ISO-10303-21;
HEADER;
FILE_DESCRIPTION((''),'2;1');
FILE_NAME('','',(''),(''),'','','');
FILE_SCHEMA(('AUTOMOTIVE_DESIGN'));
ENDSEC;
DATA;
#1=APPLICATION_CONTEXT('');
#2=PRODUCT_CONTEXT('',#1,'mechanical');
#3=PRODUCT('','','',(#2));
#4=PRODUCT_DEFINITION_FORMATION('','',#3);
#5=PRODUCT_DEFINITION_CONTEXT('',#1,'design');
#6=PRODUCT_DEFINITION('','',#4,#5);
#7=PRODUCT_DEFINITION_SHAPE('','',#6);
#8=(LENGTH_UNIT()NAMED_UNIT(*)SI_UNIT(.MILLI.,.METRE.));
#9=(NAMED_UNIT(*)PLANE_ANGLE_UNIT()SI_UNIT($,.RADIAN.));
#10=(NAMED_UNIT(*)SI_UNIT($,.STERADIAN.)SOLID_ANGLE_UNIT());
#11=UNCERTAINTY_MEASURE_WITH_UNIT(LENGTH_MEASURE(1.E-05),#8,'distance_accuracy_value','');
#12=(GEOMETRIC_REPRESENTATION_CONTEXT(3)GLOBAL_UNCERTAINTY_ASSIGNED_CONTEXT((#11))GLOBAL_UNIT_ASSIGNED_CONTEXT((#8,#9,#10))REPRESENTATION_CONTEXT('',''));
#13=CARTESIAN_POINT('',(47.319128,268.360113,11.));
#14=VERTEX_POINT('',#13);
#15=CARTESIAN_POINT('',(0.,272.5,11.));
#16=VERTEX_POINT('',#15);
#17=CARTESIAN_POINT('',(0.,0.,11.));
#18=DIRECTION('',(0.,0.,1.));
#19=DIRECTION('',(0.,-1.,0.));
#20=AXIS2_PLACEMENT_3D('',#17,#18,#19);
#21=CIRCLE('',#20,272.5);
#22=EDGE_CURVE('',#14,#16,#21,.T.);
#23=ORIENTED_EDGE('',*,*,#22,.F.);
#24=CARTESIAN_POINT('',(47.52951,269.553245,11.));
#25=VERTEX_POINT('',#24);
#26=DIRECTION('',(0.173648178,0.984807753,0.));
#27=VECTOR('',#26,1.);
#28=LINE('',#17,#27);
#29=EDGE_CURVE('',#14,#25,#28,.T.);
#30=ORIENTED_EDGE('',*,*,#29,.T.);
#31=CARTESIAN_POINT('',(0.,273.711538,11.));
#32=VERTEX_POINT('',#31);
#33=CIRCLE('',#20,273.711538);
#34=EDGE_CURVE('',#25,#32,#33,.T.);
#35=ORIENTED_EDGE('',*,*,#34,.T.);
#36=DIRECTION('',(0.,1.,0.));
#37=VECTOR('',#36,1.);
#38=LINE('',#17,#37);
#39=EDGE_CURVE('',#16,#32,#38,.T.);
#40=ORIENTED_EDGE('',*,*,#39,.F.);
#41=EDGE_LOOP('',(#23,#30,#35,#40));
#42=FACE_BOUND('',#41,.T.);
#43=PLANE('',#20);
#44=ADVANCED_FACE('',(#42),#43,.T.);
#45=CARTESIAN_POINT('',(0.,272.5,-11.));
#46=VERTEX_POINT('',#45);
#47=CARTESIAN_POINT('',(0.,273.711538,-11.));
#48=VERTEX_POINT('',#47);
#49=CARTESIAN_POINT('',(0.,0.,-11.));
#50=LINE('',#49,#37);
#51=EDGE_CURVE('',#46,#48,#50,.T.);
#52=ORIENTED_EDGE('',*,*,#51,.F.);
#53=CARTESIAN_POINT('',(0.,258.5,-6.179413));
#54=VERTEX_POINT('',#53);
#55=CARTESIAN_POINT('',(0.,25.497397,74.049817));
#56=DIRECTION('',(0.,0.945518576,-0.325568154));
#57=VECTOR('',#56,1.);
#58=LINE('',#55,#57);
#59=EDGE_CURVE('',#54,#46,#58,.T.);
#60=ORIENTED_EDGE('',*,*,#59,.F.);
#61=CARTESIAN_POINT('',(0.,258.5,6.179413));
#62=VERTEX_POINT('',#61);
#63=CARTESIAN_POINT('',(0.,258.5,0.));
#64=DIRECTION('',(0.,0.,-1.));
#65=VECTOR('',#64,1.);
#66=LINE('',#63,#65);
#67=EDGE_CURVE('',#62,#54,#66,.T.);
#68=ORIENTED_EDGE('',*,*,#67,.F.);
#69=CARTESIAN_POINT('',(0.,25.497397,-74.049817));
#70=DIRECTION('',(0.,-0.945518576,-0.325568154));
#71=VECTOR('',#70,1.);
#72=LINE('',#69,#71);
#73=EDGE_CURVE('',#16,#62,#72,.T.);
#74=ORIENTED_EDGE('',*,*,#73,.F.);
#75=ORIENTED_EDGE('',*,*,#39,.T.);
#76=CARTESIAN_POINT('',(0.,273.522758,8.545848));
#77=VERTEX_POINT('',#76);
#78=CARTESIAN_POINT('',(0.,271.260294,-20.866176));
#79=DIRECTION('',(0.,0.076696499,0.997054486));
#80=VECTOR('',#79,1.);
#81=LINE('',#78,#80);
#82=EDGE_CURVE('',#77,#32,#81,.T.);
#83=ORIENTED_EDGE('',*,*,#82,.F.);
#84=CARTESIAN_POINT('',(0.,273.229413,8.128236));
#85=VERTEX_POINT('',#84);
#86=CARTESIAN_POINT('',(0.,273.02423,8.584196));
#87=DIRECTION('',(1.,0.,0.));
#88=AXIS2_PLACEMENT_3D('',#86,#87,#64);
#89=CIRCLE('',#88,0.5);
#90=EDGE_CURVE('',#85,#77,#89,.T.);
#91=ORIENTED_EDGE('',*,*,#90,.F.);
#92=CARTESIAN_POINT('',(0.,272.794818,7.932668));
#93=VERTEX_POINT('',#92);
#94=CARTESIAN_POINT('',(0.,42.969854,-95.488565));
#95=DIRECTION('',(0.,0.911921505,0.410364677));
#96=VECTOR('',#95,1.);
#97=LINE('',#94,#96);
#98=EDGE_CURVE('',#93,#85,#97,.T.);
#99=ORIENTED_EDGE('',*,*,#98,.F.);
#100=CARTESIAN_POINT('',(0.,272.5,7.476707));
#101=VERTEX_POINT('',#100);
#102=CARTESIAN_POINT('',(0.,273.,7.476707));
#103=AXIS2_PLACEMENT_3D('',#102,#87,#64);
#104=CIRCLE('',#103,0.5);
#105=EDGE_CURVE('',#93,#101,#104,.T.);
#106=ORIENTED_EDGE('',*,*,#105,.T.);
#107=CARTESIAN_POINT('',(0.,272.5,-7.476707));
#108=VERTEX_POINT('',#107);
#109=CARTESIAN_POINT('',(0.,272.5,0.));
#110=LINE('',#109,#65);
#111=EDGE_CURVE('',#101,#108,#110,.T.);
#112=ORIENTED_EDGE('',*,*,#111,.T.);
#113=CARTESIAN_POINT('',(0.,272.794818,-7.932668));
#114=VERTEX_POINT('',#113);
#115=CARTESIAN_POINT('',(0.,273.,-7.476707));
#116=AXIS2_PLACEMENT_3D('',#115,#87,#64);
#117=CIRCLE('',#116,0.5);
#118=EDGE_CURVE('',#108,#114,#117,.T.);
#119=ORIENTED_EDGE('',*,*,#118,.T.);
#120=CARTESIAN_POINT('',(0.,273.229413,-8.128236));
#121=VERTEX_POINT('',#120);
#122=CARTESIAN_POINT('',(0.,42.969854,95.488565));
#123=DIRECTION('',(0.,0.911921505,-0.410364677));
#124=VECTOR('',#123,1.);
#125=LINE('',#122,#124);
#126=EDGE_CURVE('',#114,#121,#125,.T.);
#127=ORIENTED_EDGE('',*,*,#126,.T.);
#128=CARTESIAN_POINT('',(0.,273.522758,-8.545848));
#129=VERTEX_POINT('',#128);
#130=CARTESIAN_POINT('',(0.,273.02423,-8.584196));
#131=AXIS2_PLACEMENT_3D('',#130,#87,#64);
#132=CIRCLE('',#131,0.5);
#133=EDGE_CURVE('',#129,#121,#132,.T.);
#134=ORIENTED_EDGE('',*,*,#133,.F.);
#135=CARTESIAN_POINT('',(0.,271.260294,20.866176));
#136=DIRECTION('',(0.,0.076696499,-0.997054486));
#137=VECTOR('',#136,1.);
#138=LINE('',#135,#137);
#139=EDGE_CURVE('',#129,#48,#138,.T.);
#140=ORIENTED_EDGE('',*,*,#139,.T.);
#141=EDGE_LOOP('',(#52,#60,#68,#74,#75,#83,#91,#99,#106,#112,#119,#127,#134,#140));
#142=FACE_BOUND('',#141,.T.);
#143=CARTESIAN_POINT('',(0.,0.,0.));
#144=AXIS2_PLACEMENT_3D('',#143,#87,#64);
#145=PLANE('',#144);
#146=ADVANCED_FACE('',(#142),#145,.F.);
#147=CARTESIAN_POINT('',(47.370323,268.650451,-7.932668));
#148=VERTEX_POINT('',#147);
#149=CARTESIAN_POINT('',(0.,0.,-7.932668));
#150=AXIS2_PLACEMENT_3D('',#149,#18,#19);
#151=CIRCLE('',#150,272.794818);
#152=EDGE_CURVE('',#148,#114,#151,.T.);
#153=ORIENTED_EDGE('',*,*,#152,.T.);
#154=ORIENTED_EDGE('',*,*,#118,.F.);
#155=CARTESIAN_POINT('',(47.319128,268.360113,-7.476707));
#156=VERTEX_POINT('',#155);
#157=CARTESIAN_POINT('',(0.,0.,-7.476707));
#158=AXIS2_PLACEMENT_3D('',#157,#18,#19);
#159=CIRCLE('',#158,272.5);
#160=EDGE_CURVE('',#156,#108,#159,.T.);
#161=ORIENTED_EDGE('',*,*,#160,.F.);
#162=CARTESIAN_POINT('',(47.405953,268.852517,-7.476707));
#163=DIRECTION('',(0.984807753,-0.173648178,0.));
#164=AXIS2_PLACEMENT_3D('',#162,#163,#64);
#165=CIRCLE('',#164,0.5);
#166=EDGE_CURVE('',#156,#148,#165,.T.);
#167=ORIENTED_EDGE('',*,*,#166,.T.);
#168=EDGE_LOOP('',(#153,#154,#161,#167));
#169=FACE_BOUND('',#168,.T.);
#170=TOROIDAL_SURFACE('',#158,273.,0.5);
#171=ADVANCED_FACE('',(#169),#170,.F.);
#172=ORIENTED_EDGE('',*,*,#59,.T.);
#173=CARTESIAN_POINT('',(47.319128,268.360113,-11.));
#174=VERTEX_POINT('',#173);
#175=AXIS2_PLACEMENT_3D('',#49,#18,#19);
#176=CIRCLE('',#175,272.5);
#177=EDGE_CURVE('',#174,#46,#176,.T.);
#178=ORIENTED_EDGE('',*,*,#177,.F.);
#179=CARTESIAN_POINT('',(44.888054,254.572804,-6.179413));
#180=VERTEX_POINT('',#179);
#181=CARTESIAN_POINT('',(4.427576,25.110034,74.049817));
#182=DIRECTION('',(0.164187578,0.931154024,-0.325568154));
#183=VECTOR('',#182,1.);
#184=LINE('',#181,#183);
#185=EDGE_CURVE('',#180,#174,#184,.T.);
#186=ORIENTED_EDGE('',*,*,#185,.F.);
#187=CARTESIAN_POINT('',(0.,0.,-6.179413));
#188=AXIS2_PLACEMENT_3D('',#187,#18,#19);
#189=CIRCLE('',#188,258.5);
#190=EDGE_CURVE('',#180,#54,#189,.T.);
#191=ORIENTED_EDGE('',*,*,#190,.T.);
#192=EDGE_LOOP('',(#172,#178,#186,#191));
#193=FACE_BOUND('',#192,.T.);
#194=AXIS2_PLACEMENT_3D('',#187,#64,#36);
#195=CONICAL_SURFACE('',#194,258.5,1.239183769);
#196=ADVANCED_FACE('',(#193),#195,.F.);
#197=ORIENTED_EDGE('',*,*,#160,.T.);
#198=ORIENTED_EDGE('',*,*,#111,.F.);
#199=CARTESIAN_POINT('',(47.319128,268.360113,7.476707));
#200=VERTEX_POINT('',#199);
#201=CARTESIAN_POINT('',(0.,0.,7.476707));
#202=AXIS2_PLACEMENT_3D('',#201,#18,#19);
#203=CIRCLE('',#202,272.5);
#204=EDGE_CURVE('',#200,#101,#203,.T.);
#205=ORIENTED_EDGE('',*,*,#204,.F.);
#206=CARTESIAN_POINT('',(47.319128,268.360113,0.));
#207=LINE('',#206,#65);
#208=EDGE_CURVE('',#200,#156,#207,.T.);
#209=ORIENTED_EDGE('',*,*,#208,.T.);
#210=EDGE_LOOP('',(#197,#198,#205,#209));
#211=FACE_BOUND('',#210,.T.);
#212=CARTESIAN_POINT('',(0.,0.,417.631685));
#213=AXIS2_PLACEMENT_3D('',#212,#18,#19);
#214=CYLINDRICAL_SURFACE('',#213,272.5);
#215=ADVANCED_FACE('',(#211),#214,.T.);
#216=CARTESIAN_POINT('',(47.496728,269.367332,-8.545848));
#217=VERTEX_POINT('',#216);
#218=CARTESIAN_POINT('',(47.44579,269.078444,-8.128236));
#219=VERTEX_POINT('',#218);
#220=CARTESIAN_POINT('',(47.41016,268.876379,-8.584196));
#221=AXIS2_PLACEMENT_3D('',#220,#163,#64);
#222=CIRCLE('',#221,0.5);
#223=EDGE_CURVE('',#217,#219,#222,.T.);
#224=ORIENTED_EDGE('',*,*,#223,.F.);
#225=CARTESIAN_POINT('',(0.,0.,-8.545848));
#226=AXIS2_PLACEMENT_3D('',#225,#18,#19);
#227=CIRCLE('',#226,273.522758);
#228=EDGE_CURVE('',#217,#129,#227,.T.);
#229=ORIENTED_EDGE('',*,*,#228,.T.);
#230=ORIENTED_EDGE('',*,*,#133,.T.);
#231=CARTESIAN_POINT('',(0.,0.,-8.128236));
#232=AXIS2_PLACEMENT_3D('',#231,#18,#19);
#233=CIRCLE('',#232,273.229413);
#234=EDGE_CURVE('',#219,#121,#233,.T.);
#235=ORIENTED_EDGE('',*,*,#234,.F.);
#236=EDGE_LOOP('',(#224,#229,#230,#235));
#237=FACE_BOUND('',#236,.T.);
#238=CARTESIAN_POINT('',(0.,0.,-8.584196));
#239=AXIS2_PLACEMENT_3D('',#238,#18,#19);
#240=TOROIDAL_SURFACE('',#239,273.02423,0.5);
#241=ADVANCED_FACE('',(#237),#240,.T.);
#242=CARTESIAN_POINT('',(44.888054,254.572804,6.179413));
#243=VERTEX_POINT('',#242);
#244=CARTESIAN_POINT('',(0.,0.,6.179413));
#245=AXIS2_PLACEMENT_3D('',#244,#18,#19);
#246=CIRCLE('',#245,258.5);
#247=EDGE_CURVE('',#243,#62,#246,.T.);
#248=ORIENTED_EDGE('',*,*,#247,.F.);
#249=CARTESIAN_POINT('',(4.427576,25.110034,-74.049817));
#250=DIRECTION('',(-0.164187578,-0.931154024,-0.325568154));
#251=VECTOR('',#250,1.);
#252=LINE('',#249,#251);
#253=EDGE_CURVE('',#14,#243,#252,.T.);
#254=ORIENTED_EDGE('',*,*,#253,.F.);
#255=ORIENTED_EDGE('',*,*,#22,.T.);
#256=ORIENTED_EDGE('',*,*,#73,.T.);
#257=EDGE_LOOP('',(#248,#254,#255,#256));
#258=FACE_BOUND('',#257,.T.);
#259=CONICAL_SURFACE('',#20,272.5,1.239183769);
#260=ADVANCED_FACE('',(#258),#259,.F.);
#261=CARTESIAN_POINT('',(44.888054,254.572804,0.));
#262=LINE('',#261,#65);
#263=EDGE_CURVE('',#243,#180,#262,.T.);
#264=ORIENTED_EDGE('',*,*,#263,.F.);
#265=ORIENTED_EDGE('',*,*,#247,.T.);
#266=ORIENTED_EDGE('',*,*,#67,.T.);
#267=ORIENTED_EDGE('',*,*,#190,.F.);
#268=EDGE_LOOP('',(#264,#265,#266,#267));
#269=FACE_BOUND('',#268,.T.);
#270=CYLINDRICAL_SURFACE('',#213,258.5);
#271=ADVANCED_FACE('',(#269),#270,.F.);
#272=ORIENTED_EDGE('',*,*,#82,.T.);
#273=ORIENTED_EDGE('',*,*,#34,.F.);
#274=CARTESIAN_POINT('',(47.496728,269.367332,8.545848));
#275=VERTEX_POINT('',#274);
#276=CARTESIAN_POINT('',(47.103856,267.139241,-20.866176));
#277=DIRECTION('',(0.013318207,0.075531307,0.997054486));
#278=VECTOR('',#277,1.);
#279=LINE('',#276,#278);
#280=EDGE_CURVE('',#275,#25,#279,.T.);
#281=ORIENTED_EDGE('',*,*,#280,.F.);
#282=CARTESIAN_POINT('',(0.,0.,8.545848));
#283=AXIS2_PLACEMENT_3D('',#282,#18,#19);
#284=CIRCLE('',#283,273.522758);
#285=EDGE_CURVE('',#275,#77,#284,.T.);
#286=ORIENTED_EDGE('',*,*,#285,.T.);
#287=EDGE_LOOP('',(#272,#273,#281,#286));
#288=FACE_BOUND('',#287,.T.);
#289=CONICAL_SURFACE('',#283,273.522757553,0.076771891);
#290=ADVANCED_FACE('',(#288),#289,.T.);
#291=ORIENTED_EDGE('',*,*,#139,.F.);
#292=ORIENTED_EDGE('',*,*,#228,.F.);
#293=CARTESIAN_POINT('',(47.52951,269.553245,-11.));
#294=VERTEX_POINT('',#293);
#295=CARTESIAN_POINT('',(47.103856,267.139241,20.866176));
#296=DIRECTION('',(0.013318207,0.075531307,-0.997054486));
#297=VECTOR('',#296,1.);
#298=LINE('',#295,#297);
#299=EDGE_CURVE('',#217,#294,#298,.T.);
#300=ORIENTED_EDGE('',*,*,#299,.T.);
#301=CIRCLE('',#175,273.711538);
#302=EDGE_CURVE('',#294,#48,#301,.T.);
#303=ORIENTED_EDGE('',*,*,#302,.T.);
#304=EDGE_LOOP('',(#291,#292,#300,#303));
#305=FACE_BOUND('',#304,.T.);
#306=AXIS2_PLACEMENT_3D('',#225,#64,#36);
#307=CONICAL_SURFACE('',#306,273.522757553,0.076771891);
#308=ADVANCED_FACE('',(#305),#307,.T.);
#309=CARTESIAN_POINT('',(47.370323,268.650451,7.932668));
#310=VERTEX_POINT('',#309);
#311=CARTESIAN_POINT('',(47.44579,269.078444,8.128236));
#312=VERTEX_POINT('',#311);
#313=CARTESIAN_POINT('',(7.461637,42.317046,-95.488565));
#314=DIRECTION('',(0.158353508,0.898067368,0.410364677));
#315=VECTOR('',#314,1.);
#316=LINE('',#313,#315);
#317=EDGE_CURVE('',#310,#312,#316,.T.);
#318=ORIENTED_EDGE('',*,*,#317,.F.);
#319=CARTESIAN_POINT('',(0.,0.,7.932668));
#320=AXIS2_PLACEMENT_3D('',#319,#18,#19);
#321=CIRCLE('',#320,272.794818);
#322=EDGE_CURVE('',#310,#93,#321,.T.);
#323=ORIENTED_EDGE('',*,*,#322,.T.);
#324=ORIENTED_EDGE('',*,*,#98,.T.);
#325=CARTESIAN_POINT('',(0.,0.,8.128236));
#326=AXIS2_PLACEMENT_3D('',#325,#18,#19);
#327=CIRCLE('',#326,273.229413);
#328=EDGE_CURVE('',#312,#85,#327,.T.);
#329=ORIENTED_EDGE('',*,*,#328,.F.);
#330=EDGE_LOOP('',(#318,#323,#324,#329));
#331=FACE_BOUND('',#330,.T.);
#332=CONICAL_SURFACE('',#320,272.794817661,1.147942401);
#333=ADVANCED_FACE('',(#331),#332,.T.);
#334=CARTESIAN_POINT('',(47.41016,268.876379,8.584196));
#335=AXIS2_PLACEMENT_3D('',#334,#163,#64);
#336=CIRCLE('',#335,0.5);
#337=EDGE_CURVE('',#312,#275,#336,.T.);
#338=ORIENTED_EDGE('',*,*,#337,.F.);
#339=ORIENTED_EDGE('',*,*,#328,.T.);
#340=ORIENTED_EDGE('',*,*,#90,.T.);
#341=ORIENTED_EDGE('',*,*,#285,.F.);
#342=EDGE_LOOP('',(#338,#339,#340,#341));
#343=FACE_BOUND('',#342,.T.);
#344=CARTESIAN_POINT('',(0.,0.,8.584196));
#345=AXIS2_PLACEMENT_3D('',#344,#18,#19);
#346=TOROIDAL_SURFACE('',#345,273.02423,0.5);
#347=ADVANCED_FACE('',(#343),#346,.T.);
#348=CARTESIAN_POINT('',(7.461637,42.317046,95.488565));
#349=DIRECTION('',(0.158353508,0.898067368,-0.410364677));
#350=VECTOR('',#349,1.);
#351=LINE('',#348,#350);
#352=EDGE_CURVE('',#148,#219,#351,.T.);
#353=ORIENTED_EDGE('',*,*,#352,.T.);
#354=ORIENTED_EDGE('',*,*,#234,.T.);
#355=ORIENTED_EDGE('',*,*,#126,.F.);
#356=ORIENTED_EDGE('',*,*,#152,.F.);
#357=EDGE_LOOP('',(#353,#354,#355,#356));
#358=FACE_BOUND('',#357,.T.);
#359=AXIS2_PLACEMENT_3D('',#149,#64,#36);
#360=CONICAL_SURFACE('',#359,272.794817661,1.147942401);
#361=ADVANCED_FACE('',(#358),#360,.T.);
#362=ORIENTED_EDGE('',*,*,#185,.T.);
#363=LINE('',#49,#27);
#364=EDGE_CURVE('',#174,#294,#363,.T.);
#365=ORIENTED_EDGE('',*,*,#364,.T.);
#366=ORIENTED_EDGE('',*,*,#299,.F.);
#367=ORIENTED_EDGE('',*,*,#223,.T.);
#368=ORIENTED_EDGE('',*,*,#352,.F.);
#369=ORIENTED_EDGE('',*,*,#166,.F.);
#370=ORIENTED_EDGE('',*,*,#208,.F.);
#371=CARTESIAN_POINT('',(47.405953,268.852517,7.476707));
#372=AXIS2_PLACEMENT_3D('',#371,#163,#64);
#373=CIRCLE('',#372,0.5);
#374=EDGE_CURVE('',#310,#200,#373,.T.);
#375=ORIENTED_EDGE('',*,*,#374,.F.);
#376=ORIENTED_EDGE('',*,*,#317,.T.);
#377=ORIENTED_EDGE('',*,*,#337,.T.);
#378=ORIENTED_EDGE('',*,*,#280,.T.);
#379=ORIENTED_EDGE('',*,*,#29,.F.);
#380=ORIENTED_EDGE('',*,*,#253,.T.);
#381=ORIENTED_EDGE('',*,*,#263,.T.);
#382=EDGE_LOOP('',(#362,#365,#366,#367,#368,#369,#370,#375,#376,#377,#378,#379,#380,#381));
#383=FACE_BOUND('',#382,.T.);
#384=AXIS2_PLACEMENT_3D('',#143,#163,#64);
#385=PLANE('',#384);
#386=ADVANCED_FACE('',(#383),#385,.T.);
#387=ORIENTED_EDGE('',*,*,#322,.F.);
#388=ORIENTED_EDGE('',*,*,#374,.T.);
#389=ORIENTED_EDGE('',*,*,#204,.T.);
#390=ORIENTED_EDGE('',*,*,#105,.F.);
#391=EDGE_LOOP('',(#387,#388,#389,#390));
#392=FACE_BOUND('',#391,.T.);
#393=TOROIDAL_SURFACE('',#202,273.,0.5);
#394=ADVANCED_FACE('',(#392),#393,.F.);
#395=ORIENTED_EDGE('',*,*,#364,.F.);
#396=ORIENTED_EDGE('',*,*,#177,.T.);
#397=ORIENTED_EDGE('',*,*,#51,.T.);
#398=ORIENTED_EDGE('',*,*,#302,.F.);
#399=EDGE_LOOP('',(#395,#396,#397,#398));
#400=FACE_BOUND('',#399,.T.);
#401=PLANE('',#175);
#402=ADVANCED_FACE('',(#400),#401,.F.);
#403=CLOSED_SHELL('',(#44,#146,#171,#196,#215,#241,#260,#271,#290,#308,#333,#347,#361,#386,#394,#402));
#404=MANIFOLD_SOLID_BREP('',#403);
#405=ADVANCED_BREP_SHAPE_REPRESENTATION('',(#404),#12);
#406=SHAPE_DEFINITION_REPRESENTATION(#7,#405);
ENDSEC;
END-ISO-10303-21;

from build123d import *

# Parameters (mm, degrees)
CROQUIS2_R                        = 2.1
CORTAR_EXTRUIR1_DEPTH             = 406.488213274
MATRIZC1_COUNT                    = 36
CORTAR_EXTRUIR5_REACH             = 679.172
CROQUIS4_R                        = 4.2
CORTAR_EXTRUIR5_DIRECTION_2_REACH = 679.172
REVOLUCI_N3_ANGLE                 = 10


with BuildPart() as part:
    # Croquis1 → Revolución2 (revolve)
    with BuildSketch(Plane(origin=(0, 0, 0), x_dir=(0, 0, -1), z_dir=(1, 0, 0)), mode=Mode.PRIVATE) as revoluci_n2_sk:
        with BuildLine():
            Line((-7.932667948, 272.794817661), (-8.128235692, 273.229412649))
            ThreePointArc((-8.128235692, 273.229412649), (-8.296797496, 273.433378016), (-8.545848195, 273.522757553))
            Line((-8.545848195, 273.522757553), (-12.682817286, 273.840985945))
            ThreePointArc((-12.682817286, 273.840985945), (-14.22986011, 274.537339899), (-14.976158002, 276.060917854))
            Line((-14.976158002, 276.060917854), (-16, 285.390918278))
            ThreePointArc((-16, 285.390918278), (-14.380212317, 286.280019748), (-14.896885493, 284.505967215))
            Line((-14.896885493, 284.505967215), (-14.369495262, 279.7))
            ThreePointArc((-14.369495262, 279.7), (-11.00403892, 278.246015718), (-9.3, 275))
            ThreePointArc((-9.3, 275), (-4.661345964, 274.499260763), (0, 274.3))
            ThreePointArc((0, 274.3), (4.661345964, 274.499260763), (9.3, 275))
            ThreePointArc((9.3, 275), (11.00403892, 278.246015718), (14.369495262, 279.7))
            Line((14.369495262, 279.7), (14.896885493, 284.505967215))
            ThreePointArc((14.896885493, 284.505967215), (14.380212317, 286.280019748), (16, 285.390918278))
            Line((16, 285.390918278), (14.976158002, 276.060917854))
            ThreePointArc((14.976158002, 276.060917854), (14.22986011, 274.537339899), (12.682817286, 273.840985945))
            Line((12.682817286, 273.840985945), (8.545848195, 273.522757553))
            ThreePointArc((8.545848195, 273.522757553), (8.296797496, 273.433378016), (8.128235692, 273.229412649))
            Line((8.128235692, 273.229412649), (7.932667948, 272.794817661))
            ThreePointArc((7.932667948, 272.794817661), (7.748192766, 272.580124322), (7.476707195, 272.5))
            Line((7.476707195, 272.5), (-7.476707195, 272.5))
            ThreePointArc((-7.476707195, 272.5), (-7.748192766, 272.580124322), (-7.932667948, 272.794817661))
        make_face()
    revolve(revoluci_n2_sk.sketch.rotate(Axis((0, 0, 417.631684514), (0, 0, -1)), 180), axis=Axis((0, 0, 417.631684514), (0, 0, -1)))

    # Croquis2 → Cortar-Extruir1 (cut, through all)
    with BuildSketch(Plane(origin=(0, 0, 0), x_dir=(1, 0, 0), z_dir=(0, 1, 0))):
        with Locations(Location((0, 0, 0), (0, 0, 270))):
            Circle(CROQUIS2_R)
    cortar_extruir1 = extrude(amount=-CORTAR_EXTRUIR1_DEPTH, mode=Mode.SUBTRACT)

    # MatrizC1: Cortar-Extruir1 ×36 about axis
    matrizc1_axis = Axis((0, 0, 0), (0, 0, 1))
    for i in range(1, MATRIZC1_COUNT):
        add(cortar_extruir1.rotate(matrizc1_axis, i * 360 / MATRIZC1_COUNT), mode=Mode.SUBTRACT)

    # Croquis4 → Cortar-Extruir5 (cut, up to next)
    with BuildSketch(Plane(origin=(-224.693405748, 157.332016491, 0), x_dir=(0, 0, -1), z_dir=(-0.8191520442889971, 0.5735764363510386, 0)), mode=Mode.PRIVATE) as cortar_extruir5_sk1:
        Circle(CROQUIS4_R)
    cortar_extruir5_tool1 = extrude(cortar_extruir5_sk1.sketch, amount=-CORTAR_EXTRUIR5_REACH, mode=Mode.PRIVATE) & part.part
    add(cortar_extruir5_tool1.solids().sort_by_distance((-224.693406, 157.332016, 0))[0], mode=Mode.SUBTRACT)

    # Croquis4 → Cortar-Extruir5 direction 2 (cut, up to next)
    with BuildSketch(Plane(origin=(-224.693405748, 157.332016491, 0), x_dir=(0, 0, -1), z_dir=(-0.8191520442889971, 0.5735764363510386, 0)), mode=Mode.PRIVATE) as cortar_extruir5_direction_2_sk1:
        Circle(CROQUIS4_R)
    cortar_extruir5_direction_2_tool1 = extrude(cortar_extruir5_direction_2_sk1.sketch, amount=CORTAR_EXTRUIR5_DIRECTION_2_REACH, mode=Mode.PRIVATE) & part.part
    add(cortar_extruir5_direction_2_tool1.solids().sort_by_distance((-224.693406, 157.332016, 0))[0], mode=Mode.SUBTRACT)


with BuildPart() as body_2:
    # Croquis5 → Revolución3 (revolve)
    with BuildSketch(Plane(origin=(0, 0, 0), x_dir=(0, 0, -1), z_dir=(1, 0, 0))):
        with BuildLine():
            Line((-11, 273.711538462), (-11, 272.5))
            Line((-11, 272.5), (-7.476707195, 272.5))
            ThreePointArc((-7.476707195, 272.5), (-7.748192766, 272.580124322), (-7.932667948, 272.794817661))
            Line((-7.932667948, 272.794817661), (-8.128235692, 273.229412649))
            ThreePointArc((-8.128235692, 273.229412649), (-8.296797496, 273.433378016), (-8.545848195, 273.522757553))
            Line((-8.545848195, 273.522757553), (-11, 273.711538462))
        make_face()
        Polygon((-7.476707195, 272.5), (-11, 272.5), (-6.179413414, 258.5), (0, 258.5), (0, 272.5), align=None)
        Polygon((7.476707195, 272.5), (0, 272.5), (0, 258.5), (6.179413414, 258.5), (11, 272.5), align=None)
        with BuildLine():
            ThreePointArc((7.932667948, 272.794817661), (7.748192766, 272.580124322), (7.476707195, 272.5))
            Line((7.476707195, 272.5), (11, 272.5))
            Line((11, 272.5), (11, 273.711538462))
            Line((11, 273.711538462), (8.545848195, 273.522757553))
            ThreePointArc((8.545848195, 273.522757553), (8.296797496, 273.433378016), (8.128235692, 273.229412649))
            Line((8.128235692, 273.229412649), (7.932667948, 272.794817661))
        make_face()
    revolve(axis=Axis((0, 0, 417.631684514), (0, 0, -1)), revolution_arc=REVOLUCI_N3_ANGLE)


solid = body_2.part
